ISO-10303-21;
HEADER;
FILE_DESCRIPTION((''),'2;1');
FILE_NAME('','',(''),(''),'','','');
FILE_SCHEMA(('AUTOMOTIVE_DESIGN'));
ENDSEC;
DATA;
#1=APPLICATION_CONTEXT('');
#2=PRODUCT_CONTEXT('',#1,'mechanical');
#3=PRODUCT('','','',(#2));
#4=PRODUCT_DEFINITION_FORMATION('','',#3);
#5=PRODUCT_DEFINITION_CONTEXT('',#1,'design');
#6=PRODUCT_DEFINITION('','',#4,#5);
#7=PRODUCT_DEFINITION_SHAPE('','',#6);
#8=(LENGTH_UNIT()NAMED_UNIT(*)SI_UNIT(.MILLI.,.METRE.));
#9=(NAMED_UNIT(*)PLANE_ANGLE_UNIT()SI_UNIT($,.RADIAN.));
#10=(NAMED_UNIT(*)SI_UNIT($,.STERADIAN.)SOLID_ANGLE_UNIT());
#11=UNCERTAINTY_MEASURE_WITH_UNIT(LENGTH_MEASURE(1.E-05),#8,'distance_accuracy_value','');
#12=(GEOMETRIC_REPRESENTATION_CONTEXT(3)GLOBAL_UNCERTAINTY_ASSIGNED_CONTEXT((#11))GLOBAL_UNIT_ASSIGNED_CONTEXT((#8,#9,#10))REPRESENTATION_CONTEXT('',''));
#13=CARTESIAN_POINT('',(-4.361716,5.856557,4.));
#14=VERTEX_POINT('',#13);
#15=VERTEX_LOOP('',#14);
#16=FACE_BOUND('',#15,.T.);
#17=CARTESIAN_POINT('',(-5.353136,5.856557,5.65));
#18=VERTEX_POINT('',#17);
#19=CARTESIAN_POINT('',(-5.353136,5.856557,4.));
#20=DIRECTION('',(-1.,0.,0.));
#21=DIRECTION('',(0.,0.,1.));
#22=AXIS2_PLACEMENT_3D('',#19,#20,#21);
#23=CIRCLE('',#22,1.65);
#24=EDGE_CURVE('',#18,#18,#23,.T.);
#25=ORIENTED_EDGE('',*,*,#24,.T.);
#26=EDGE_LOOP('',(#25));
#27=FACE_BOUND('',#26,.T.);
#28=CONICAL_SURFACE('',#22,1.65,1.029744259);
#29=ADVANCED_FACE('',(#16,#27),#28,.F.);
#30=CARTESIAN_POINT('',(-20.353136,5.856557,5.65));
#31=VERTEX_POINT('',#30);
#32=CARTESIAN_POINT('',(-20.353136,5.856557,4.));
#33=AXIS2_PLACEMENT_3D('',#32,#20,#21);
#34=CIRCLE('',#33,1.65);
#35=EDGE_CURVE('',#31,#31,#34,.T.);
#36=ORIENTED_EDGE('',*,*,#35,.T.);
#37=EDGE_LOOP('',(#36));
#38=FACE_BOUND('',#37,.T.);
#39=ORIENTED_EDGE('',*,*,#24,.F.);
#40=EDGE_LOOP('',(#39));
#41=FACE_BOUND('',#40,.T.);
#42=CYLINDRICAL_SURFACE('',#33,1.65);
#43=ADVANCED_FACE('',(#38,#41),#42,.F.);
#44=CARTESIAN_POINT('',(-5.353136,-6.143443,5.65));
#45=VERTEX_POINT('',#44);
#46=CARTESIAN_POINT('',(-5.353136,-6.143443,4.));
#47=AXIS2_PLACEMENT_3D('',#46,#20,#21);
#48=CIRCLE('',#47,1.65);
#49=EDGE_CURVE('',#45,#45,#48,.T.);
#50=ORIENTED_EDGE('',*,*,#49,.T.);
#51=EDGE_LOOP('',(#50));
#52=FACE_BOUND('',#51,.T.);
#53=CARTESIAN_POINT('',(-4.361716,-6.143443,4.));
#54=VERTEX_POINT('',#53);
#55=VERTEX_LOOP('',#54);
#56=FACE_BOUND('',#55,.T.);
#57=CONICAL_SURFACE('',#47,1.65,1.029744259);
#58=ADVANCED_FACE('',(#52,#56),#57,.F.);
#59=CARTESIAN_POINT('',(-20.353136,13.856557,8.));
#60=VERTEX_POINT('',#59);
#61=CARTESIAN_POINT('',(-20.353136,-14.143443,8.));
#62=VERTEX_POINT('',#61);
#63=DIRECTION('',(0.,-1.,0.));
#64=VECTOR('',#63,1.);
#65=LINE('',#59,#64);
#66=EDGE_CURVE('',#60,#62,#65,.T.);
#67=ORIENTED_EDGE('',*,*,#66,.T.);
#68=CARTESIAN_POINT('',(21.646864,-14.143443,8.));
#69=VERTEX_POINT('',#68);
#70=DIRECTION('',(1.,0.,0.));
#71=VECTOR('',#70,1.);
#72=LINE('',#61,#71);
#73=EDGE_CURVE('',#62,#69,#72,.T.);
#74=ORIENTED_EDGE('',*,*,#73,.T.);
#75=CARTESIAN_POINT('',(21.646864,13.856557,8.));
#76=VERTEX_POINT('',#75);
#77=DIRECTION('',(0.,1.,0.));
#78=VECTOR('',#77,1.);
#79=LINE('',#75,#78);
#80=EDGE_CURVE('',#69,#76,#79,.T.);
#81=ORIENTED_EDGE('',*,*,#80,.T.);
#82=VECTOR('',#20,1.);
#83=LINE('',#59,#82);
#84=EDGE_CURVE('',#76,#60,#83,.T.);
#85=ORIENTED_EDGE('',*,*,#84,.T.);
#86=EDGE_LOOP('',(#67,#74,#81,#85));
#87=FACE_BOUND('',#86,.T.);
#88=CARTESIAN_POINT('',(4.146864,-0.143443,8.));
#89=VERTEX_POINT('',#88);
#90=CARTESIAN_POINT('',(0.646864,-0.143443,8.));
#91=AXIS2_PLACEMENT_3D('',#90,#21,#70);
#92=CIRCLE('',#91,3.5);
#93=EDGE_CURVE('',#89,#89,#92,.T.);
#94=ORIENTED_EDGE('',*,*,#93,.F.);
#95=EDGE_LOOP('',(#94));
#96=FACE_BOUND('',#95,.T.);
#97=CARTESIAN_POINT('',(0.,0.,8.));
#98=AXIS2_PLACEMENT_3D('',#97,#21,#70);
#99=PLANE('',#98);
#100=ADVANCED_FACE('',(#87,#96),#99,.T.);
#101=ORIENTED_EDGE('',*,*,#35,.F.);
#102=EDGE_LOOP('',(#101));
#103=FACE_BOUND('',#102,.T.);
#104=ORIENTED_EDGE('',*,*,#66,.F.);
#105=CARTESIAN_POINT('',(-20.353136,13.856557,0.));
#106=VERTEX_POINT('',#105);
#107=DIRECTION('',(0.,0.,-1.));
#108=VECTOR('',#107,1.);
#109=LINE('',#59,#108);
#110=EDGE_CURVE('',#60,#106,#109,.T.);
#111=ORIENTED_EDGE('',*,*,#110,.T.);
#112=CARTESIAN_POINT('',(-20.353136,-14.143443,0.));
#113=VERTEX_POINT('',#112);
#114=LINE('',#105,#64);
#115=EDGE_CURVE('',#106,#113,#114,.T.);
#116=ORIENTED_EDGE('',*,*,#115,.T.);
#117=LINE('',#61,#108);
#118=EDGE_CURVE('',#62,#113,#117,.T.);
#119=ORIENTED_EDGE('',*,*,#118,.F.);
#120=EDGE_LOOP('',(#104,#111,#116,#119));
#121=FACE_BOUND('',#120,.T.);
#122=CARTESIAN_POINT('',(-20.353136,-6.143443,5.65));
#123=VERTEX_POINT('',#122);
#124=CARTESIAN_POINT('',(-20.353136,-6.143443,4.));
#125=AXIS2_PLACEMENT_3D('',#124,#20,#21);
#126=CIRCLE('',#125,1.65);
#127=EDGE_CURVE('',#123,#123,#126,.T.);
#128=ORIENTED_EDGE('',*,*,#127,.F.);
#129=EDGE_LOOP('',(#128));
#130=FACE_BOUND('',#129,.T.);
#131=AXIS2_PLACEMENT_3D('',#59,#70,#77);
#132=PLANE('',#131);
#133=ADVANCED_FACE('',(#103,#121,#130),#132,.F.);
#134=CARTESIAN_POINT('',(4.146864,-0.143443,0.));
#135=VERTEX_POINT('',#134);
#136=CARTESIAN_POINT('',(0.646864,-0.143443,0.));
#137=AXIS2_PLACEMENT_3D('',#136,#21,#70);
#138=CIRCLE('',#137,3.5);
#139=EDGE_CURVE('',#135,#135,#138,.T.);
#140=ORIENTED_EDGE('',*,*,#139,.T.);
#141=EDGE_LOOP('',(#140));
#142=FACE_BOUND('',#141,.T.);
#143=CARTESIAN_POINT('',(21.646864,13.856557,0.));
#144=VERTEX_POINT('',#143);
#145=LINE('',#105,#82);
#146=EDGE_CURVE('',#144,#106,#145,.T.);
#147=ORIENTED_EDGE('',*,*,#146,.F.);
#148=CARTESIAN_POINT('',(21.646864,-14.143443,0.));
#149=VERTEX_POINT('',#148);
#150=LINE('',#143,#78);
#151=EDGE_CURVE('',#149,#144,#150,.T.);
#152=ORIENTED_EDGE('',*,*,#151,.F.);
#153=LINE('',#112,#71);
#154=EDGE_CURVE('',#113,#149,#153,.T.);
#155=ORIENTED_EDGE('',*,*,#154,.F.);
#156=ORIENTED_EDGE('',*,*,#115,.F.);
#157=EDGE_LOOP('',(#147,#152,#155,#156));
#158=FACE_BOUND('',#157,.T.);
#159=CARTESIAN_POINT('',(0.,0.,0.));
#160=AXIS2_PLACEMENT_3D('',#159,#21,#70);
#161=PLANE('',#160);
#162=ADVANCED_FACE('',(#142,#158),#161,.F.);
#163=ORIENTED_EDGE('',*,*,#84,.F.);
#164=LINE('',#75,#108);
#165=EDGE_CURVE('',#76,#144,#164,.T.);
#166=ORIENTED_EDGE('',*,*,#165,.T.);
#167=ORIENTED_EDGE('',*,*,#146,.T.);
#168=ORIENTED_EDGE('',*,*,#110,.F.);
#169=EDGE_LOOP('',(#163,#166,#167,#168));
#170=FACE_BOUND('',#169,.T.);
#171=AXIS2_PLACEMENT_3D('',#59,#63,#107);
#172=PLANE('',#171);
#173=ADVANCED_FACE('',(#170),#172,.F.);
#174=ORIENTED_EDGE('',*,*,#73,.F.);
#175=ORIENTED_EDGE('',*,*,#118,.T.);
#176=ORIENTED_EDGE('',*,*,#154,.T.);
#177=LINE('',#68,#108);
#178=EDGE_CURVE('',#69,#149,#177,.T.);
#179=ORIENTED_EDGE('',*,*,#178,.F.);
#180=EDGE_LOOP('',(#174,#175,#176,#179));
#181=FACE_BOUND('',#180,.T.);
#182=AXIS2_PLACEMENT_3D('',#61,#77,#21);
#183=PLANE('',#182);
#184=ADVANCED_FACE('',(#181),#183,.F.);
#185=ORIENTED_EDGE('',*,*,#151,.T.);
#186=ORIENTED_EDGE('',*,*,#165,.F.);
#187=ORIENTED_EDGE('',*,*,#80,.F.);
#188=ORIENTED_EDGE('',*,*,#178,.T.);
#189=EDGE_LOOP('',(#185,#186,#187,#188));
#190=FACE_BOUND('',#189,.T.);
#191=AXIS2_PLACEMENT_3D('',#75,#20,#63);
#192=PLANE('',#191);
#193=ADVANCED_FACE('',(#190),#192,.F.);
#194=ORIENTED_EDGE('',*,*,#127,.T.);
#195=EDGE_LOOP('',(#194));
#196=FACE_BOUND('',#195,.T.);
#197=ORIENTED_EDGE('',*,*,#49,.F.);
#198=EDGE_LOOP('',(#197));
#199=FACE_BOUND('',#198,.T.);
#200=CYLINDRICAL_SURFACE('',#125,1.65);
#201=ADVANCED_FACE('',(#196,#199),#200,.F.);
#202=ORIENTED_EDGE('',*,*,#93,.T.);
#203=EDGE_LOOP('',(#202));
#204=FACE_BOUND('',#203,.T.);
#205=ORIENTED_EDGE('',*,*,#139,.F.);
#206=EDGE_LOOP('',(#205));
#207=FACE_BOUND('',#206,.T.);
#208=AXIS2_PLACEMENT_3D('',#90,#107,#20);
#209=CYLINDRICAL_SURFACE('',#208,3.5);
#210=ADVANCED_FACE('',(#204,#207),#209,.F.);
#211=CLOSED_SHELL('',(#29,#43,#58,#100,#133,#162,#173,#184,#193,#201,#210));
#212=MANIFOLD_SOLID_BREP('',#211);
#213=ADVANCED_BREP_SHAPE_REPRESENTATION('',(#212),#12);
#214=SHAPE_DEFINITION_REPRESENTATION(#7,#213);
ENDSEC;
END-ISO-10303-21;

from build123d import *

# Parameters (mm, degrees)
SKIZZE1_W                       = 42
SKIZZE1_H                       = 28
SKIZZE1_R                       = 3.5
AUFSATZ_LINEAR_AUSTRAGEN1_DEPTH = 8
SKIZZE2_R                       = 1.6
SCHNITT_LINEAR_AUSTRAGEN1_DEPTH = 15
M4_GEWINDEBOHRUNG1_D            = 3.3
M4_GEWINDEBOHRUNG1_DEPTH        = 15
M4_GEWINDEBOHRUNG1_TIP          = 0.991420021


with BuildPart() as part:
    # Skizze1 → Aufsatz-Linear austragen1 (new body)
    with BuildSketch(Plane.XY):
        with Locations((0.646863863, -0.143442623)):
            Rectangle(SKIZZE1_W, SKIZZE1_H)
        with Locations((0.646863863, -0.143442623)):
            Circle(SKIZZE1_R, mode=Mode.SUBTRACT)
    extrude(amount=AUFSATZ_LINEAR_AUSTRAGEN1_DEPTH)

    # Skizze2 → Schnitt-Linear austragen1 (cut)
    with BuildSketch(Plane.ZY.offset(20.353136137)):
        with Locations(Location((4, 5.856557377, 0), (0, 0, 270))):
            Circle(SKIZZE2_R)
        with Locations(Location((4, -6.143442623, 0), (0, 0, 270))):
            Circle(SKIZZE2_R)
    extrude(amount=-SCHNITT_LINEAR_AUSTRAGEN1_DEPTH, mode=Mode.SUBTRACT)

    # M4 Gewindebohrung1
    with Locations(Plane(origin=(-20.353136137, -6.143442623, 4), x_dir=(0, -1, 0), z_dir=(-1, 0, 0))):
        with Locations((0, 0), (-12, 0)):
            Hole(M4_GEWINDEBOHRUNG1_D / 2, depth=M4_GEWINDEBOHRUNG1_DEPTH)
            with Locations((0, 0, -(M4_GEWINDEBOHRUNG1_DEPTH + M4_GEWINDEBOHRUNG1_TIP / 2))):  # 118° drill point
                Cone(0, M4_GEWINDEBOHRUNG1_D / 2, M4_GEWINDEBOHRUNG1_TIP, mode=Mode.SUBTRACT)


solid = part.part
